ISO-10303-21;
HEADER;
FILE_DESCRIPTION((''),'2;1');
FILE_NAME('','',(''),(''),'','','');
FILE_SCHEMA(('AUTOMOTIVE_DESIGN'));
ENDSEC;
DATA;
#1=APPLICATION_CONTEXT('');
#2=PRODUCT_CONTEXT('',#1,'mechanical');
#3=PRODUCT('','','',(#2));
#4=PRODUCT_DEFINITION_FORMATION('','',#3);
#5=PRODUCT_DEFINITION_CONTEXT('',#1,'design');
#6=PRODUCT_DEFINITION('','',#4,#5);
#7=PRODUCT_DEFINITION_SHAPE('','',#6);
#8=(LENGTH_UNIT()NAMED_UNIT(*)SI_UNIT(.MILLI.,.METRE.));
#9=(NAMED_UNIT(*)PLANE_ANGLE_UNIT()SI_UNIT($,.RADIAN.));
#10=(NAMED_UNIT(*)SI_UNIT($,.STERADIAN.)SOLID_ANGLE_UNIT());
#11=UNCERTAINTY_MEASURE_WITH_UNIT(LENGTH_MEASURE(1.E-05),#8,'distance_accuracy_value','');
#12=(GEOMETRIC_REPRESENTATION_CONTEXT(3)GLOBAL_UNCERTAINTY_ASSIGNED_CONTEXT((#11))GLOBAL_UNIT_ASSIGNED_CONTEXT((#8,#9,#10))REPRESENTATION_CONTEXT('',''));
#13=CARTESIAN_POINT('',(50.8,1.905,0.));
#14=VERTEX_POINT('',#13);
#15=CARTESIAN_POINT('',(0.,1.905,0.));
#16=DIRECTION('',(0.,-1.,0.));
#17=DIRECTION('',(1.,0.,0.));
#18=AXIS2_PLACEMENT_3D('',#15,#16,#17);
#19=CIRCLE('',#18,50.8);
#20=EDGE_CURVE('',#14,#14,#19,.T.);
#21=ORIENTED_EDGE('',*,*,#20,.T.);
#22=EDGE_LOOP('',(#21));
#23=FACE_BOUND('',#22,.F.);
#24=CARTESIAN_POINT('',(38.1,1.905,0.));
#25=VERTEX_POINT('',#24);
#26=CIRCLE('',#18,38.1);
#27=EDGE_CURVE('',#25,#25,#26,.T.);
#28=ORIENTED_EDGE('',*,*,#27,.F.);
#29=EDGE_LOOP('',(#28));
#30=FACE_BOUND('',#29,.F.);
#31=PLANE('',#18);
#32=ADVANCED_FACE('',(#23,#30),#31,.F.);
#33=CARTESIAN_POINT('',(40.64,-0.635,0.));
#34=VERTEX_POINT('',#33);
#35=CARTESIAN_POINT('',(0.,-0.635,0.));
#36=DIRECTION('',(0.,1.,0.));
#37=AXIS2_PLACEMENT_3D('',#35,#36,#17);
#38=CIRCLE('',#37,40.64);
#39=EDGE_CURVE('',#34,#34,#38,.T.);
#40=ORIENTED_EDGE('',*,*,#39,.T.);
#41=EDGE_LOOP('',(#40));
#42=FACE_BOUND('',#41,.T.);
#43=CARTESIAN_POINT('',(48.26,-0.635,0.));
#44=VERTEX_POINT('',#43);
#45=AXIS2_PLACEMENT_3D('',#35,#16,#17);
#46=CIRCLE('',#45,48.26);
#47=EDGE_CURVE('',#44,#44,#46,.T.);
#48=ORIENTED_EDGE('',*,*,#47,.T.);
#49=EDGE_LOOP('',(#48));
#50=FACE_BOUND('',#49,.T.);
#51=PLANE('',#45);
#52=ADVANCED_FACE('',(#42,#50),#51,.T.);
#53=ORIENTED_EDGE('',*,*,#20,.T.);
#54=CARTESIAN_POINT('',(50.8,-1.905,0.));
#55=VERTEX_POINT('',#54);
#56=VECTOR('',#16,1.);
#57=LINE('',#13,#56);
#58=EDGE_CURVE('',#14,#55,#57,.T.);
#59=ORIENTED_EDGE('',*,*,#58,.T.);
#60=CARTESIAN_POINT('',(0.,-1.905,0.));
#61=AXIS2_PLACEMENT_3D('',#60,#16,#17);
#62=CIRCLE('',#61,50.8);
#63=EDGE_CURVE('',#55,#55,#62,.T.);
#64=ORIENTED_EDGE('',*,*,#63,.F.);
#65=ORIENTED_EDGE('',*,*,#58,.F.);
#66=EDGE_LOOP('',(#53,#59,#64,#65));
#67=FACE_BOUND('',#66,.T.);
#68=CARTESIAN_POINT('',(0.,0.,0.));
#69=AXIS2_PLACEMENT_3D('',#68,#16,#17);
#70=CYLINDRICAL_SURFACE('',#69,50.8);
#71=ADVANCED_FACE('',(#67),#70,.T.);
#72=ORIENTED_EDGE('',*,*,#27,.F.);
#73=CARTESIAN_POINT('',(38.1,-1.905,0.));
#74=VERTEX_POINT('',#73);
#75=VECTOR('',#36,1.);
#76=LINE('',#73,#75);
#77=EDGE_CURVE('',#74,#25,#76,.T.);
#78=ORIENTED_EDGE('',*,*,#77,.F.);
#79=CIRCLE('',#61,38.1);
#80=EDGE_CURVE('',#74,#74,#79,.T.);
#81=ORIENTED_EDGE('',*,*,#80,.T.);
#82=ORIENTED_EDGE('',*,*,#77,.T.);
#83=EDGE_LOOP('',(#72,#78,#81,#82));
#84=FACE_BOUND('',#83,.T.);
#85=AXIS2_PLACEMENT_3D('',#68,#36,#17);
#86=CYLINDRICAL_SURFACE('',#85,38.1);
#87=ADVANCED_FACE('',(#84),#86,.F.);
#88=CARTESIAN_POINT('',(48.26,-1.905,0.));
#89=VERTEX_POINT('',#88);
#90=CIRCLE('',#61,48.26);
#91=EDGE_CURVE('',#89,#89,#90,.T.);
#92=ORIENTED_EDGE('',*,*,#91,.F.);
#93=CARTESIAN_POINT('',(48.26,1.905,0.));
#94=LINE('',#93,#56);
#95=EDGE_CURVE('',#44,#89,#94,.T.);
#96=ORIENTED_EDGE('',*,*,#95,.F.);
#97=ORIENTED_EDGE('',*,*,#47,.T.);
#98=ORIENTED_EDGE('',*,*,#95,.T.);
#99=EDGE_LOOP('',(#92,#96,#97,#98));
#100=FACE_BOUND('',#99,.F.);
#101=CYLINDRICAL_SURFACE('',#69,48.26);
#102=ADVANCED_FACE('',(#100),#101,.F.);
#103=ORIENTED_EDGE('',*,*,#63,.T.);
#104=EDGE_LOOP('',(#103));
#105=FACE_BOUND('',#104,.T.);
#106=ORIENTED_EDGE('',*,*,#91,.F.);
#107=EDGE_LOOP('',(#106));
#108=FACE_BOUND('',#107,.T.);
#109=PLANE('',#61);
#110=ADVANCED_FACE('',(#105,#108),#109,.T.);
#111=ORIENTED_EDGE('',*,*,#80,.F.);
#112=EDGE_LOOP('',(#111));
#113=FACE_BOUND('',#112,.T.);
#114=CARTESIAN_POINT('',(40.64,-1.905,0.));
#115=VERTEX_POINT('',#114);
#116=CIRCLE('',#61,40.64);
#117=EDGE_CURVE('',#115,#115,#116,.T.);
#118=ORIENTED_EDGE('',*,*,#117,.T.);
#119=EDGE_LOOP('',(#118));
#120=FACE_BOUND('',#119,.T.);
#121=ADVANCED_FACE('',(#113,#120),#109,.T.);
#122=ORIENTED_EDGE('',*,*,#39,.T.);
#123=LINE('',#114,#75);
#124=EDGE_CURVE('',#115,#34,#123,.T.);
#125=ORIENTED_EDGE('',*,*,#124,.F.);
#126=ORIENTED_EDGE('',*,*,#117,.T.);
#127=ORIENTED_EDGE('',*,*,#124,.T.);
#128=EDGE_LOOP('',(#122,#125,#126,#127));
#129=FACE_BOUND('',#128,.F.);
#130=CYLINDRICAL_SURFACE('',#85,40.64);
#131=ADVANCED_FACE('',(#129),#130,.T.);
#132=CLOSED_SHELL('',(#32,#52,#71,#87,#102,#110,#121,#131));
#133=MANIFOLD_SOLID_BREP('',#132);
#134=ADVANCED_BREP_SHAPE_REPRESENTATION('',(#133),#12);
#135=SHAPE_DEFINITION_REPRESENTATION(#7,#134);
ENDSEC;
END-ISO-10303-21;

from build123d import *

# Parameters (mm, degrees)
F0_R     = 50.8
F0_R_2   = 38.1
F1_DEPTH = 1.905
F2_T     = -2.54


with BuildPart() as f1:
    # F0 (on Front) → F1 (new body, symmetric)
    with BuildSketch(Plane.XZ):
        Circle(F0_R)
        Circle(F0_R_2, mode=Mode.SUBTRACT)
    extrude(amount=F1_DEPTH, both=True)

    # F2
    f2_openings = [f1.faces().sort_by_distance(p)[0] for p in [
        (-49.363159, -1.905, 0),
    ]]
    offset(amount=F2_T, openings=f2_openings)


solid = f1.part
